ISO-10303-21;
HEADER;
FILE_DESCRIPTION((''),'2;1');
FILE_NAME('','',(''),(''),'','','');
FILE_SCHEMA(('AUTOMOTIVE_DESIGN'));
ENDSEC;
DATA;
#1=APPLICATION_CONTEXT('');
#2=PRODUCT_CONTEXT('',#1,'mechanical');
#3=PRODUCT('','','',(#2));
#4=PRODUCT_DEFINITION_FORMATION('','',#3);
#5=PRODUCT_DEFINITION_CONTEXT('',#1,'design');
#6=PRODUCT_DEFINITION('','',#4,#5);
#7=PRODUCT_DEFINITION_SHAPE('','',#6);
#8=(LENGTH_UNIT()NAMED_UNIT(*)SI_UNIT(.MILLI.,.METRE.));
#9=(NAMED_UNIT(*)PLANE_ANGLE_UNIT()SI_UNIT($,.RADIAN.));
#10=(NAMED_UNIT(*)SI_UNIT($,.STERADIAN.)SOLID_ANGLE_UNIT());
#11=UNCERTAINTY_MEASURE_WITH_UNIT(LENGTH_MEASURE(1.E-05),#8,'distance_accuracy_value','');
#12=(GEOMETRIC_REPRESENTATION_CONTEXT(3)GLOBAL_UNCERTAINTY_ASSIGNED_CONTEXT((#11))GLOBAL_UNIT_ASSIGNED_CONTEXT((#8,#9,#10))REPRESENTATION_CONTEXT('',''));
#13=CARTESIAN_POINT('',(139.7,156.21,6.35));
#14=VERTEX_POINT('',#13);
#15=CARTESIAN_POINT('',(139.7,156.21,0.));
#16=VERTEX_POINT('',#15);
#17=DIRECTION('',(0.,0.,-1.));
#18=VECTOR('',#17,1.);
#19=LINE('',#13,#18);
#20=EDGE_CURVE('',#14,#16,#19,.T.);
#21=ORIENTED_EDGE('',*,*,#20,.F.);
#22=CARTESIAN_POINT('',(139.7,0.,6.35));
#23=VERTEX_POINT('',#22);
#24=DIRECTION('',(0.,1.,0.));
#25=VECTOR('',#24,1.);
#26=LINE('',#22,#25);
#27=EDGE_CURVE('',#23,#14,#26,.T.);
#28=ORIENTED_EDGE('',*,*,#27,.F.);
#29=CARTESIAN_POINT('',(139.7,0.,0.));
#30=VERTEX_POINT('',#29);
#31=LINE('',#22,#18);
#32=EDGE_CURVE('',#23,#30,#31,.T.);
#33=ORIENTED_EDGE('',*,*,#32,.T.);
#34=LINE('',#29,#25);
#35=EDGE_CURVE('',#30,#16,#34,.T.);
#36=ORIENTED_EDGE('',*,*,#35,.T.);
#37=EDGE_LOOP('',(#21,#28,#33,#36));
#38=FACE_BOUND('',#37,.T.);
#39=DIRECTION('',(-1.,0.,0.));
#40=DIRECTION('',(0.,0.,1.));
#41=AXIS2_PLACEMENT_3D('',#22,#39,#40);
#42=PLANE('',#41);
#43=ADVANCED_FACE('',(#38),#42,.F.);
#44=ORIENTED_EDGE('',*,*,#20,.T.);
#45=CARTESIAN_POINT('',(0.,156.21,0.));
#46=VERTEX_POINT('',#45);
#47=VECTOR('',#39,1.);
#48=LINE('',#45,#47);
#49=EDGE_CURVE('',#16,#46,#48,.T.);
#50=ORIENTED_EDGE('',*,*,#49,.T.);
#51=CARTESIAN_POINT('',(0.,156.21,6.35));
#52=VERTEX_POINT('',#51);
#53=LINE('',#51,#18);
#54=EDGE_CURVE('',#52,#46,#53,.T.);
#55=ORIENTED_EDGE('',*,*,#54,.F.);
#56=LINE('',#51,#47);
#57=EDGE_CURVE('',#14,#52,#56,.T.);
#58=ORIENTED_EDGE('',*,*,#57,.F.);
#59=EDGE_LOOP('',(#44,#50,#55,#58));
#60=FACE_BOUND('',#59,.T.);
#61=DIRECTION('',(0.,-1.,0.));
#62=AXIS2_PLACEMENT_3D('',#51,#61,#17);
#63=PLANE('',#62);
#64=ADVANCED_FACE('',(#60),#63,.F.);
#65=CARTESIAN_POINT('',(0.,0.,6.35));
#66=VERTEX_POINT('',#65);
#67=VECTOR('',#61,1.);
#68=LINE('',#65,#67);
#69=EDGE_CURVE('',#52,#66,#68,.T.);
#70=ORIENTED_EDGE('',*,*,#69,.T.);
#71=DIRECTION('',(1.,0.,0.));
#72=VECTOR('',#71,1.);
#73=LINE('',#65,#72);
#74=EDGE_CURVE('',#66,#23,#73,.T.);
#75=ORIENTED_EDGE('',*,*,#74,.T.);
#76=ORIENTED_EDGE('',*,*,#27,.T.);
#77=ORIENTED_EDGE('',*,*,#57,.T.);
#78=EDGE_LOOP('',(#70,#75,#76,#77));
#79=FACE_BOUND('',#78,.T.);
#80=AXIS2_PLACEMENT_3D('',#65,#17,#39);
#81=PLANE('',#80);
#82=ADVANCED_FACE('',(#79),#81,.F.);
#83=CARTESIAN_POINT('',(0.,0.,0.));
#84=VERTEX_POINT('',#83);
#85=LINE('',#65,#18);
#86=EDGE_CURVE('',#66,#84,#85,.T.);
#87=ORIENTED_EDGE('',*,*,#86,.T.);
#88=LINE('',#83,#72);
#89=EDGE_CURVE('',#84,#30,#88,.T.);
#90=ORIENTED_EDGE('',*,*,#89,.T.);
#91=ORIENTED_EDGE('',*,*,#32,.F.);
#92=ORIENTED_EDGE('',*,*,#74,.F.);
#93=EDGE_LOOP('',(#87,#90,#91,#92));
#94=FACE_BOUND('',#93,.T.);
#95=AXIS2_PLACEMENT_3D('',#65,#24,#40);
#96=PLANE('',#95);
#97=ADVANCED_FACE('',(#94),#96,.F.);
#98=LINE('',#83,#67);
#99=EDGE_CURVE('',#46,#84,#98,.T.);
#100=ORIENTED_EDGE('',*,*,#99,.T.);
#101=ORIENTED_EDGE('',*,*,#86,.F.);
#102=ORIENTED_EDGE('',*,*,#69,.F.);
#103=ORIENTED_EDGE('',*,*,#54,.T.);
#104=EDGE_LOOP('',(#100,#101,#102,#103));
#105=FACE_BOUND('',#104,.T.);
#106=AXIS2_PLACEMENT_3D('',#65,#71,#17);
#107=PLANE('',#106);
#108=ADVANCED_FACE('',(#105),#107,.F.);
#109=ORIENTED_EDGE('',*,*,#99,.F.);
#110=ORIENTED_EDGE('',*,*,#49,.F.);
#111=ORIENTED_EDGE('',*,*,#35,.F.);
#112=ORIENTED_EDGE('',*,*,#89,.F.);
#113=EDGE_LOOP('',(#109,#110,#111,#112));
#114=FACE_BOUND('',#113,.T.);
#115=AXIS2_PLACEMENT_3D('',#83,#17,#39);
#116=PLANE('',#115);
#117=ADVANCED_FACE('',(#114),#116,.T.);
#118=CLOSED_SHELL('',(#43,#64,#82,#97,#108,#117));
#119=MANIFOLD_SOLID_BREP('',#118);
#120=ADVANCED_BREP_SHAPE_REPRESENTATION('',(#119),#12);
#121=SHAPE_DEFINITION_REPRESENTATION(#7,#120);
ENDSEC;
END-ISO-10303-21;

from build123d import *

# Parameters (mm, degrees)
SKETCH1_W           = 139.7
SKETCH1_H           = 156.21
BOSS_EXTRUDE1_DEPTH = 6.35


with BuildPart() as part:
    # Sketch1 → Boss-Extrude1 (new body)
    with BuildSketch(Plane.XY):
        with Locations((69.85, 78.105)):
            Rectangle(SKETCH1_W, SKETCH1_H)
    extrude(amount=BOSS_EXTRUDE1_DEPTH)


solid = part.part
